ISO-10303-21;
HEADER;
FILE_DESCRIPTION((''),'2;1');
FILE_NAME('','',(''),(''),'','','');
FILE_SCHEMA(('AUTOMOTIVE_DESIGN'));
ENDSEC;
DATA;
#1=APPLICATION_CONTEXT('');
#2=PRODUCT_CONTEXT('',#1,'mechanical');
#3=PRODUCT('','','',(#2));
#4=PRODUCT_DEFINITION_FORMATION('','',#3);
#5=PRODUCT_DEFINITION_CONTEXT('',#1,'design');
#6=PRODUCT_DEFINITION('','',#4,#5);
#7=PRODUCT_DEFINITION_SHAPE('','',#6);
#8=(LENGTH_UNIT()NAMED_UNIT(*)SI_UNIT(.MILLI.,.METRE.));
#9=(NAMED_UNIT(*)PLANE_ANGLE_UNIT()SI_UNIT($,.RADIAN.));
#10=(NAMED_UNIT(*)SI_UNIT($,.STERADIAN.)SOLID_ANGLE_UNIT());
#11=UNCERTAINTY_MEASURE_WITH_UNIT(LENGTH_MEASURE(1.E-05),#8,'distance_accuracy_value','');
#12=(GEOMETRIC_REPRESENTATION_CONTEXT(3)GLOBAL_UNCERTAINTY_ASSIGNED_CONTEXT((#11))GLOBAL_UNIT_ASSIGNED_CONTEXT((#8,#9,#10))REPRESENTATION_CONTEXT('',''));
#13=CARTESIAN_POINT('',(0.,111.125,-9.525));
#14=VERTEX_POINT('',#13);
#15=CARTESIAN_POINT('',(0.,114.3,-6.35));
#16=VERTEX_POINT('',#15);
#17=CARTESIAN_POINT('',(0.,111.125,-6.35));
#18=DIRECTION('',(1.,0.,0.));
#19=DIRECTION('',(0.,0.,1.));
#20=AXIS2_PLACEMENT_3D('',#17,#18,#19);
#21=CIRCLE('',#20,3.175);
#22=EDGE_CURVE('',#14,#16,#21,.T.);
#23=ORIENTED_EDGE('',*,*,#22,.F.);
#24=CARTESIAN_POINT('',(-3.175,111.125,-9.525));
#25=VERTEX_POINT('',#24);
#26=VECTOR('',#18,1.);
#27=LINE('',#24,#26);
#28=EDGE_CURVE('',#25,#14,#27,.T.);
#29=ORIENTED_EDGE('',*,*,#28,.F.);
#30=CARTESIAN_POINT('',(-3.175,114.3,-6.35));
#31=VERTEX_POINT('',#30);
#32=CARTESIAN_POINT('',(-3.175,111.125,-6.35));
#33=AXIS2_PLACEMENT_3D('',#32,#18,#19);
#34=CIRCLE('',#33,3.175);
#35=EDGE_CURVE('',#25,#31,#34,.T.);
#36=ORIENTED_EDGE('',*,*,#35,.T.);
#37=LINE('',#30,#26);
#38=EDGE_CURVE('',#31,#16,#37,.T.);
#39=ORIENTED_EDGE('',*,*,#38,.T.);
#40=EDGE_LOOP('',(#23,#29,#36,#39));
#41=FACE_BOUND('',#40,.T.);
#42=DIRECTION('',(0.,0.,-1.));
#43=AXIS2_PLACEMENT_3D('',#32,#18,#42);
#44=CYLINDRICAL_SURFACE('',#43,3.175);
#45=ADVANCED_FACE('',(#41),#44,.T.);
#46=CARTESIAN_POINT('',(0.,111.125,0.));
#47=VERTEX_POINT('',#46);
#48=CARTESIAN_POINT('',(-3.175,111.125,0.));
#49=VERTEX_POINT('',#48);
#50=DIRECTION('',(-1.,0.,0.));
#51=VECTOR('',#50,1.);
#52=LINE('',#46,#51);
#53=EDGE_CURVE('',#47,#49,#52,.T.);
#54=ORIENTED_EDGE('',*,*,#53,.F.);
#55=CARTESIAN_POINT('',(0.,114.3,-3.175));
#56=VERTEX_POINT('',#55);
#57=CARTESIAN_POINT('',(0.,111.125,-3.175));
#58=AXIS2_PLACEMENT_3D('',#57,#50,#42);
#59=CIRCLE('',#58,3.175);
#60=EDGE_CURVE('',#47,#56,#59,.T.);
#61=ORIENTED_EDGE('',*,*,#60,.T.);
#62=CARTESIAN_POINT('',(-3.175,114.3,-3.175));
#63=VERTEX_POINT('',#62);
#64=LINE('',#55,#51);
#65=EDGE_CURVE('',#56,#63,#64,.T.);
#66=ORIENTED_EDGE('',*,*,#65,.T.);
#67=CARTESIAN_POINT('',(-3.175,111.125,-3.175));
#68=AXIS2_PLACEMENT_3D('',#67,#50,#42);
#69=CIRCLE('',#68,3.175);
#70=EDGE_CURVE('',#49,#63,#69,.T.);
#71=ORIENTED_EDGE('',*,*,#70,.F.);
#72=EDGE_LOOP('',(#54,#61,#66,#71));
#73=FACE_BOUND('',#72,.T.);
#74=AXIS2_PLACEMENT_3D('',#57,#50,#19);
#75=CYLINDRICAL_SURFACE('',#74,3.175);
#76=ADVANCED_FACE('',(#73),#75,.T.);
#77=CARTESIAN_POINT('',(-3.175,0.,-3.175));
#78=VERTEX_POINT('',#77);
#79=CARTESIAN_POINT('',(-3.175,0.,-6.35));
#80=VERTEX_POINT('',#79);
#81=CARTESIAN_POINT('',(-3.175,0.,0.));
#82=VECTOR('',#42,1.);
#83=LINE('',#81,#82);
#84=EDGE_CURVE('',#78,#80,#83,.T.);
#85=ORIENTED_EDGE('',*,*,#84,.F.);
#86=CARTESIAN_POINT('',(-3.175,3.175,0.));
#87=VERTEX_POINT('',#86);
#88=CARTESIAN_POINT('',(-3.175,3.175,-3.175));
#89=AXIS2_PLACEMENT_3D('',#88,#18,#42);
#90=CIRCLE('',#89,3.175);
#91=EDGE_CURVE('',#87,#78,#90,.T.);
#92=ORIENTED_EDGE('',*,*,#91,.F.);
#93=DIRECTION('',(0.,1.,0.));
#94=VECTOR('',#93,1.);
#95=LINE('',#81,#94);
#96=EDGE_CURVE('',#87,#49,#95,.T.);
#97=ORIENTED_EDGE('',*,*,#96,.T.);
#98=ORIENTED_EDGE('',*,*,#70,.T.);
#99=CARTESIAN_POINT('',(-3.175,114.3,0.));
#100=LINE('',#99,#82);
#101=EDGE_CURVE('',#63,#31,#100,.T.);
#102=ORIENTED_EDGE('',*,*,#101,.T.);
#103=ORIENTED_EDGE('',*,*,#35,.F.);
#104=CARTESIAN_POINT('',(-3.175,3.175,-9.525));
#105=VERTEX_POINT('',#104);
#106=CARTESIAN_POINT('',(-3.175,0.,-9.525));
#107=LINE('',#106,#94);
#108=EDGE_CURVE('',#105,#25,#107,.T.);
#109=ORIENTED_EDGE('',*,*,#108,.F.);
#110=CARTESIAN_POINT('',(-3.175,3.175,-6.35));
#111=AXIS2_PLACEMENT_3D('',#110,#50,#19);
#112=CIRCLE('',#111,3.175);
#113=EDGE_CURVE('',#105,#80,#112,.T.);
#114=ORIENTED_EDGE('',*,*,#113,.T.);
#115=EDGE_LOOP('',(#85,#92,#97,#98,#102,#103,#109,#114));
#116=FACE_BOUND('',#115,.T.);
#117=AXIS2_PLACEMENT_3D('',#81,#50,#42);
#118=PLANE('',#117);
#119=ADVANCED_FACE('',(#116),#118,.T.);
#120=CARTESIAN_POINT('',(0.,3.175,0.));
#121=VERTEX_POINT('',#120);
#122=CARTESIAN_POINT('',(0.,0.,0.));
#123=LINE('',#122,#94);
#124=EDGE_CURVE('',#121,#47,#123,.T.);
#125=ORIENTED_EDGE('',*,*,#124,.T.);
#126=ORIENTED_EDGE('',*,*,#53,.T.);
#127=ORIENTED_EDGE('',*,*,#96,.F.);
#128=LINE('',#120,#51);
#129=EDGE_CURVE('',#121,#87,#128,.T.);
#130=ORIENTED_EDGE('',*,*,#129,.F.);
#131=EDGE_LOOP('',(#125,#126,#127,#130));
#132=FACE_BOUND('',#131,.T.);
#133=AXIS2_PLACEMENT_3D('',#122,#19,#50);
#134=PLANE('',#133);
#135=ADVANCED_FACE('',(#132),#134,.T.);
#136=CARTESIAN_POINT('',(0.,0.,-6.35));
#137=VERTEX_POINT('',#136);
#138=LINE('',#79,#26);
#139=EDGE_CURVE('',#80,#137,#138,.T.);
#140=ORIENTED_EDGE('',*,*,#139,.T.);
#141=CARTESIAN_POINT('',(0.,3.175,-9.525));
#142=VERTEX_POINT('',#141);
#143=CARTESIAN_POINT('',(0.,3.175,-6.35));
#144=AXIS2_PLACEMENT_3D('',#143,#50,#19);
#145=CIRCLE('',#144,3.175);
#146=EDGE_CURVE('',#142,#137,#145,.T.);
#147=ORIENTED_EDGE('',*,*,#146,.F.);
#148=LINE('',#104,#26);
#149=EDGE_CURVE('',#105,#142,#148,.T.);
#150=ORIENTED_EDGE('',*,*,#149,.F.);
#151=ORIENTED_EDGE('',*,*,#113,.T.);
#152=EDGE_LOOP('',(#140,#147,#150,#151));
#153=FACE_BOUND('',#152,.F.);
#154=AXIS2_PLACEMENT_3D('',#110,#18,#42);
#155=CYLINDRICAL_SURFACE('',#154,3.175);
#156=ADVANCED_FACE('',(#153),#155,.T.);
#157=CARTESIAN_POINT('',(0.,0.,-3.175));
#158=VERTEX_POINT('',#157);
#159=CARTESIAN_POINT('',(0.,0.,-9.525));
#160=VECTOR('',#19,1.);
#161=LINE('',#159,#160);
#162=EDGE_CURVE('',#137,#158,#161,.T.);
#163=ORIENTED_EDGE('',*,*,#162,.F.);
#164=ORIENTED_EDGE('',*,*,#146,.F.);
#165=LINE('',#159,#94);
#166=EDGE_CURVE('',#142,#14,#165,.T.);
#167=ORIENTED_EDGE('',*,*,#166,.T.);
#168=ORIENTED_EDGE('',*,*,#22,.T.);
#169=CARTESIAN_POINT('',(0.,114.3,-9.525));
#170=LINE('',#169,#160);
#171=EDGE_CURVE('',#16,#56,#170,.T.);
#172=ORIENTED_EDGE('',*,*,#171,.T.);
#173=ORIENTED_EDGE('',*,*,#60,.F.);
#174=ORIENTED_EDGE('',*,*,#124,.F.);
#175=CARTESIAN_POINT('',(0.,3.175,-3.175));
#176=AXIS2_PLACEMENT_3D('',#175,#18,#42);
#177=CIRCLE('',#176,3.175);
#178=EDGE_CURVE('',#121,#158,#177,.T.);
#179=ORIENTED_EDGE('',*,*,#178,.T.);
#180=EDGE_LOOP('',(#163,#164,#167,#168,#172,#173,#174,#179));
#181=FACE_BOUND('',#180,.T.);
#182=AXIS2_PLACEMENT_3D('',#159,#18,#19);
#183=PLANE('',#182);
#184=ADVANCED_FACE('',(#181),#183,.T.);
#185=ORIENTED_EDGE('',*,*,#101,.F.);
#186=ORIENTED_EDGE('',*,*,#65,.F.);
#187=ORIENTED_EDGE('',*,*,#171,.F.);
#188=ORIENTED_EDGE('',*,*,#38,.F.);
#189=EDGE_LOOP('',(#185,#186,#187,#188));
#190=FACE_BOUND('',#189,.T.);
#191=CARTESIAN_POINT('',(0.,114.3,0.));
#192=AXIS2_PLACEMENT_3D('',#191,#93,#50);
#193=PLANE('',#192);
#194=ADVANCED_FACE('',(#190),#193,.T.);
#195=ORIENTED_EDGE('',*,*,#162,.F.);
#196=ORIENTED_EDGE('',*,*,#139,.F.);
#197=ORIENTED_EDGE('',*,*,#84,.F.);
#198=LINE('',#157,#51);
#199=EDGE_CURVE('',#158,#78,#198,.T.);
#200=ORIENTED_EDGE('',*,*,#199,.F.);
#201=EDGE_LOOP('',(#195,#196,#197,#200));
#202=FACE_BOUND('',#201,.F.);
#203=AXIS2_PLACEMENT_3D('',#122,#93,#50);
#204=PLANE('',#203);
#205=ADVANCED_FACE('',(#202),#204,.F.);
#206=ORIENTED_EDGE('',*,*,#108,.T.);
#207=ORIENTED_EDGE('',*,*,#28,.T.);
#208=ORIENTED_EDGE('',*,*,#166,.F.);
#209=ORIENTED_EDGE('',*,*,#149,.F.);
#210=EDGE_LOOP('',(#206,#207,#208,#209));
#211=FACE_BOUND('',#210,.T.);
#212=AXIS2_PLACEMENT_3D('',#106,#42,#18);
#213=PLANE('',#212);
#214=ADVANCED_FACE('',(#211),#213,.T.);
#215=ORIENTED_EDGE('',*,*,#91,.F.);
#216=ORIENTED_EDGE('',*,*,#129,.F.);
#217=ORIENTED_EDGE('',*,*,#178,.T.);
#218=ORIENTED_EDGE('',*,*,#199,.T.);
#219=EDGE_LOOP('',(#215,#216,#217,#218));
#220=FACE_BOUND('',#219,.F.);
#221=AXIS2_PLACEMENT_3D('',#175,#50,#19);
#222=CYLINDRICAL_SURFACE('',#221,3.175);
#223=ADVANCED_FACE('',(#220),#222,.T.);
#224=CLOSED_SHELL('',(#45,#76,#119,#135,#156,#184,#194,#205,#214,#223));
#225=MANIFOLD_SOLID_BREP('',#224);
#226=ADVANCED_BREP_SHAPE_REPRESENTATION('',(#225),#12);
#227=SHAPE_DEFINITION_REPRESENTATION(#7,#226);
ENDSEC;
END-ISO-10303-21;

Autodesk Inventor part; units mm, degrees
ref_plane "YZ Plane" through (0, 0, 0) normal (1, 0, 0) x (0, 1, 0)
ref_plane "XZ Plane" through (0, 0, 0) normal (0, 1, 0) x (-1, 0, 0)
ref_plane "XY Plane" through (0, 0, 0) normal (0, 0, 1) x (1, 0, 0)
sketch "Sketch1" plane through (0, 0, 0) normal (0, 1, 0) x (-1, 0, 0)
  line L0 (0, 0) -> (3.175, 0)
  line L1 (3.175, 0) -> (3.175, -9.525)
  line L2 (3.175, -9.525) -> (0, -9.525)
  line L3 (0, -9.525) -> (0, 0)
  dimension "d0" = 3.175
  dimension "d5" = 9.525
extrude "Extrusion1" add sketch "Sketch1" along normal blind 114.3
fillet "Fillet1" radius 3.175 4 edges at (-1.5875, 0, 0) (-1.5875, 0, -9.525) (-1.5875, 114.3, 0) (-1.5875, 114.3, -9.525)
properties part number "Projectile Launcher Popsicle Stick" material "Wood (Birch)"
